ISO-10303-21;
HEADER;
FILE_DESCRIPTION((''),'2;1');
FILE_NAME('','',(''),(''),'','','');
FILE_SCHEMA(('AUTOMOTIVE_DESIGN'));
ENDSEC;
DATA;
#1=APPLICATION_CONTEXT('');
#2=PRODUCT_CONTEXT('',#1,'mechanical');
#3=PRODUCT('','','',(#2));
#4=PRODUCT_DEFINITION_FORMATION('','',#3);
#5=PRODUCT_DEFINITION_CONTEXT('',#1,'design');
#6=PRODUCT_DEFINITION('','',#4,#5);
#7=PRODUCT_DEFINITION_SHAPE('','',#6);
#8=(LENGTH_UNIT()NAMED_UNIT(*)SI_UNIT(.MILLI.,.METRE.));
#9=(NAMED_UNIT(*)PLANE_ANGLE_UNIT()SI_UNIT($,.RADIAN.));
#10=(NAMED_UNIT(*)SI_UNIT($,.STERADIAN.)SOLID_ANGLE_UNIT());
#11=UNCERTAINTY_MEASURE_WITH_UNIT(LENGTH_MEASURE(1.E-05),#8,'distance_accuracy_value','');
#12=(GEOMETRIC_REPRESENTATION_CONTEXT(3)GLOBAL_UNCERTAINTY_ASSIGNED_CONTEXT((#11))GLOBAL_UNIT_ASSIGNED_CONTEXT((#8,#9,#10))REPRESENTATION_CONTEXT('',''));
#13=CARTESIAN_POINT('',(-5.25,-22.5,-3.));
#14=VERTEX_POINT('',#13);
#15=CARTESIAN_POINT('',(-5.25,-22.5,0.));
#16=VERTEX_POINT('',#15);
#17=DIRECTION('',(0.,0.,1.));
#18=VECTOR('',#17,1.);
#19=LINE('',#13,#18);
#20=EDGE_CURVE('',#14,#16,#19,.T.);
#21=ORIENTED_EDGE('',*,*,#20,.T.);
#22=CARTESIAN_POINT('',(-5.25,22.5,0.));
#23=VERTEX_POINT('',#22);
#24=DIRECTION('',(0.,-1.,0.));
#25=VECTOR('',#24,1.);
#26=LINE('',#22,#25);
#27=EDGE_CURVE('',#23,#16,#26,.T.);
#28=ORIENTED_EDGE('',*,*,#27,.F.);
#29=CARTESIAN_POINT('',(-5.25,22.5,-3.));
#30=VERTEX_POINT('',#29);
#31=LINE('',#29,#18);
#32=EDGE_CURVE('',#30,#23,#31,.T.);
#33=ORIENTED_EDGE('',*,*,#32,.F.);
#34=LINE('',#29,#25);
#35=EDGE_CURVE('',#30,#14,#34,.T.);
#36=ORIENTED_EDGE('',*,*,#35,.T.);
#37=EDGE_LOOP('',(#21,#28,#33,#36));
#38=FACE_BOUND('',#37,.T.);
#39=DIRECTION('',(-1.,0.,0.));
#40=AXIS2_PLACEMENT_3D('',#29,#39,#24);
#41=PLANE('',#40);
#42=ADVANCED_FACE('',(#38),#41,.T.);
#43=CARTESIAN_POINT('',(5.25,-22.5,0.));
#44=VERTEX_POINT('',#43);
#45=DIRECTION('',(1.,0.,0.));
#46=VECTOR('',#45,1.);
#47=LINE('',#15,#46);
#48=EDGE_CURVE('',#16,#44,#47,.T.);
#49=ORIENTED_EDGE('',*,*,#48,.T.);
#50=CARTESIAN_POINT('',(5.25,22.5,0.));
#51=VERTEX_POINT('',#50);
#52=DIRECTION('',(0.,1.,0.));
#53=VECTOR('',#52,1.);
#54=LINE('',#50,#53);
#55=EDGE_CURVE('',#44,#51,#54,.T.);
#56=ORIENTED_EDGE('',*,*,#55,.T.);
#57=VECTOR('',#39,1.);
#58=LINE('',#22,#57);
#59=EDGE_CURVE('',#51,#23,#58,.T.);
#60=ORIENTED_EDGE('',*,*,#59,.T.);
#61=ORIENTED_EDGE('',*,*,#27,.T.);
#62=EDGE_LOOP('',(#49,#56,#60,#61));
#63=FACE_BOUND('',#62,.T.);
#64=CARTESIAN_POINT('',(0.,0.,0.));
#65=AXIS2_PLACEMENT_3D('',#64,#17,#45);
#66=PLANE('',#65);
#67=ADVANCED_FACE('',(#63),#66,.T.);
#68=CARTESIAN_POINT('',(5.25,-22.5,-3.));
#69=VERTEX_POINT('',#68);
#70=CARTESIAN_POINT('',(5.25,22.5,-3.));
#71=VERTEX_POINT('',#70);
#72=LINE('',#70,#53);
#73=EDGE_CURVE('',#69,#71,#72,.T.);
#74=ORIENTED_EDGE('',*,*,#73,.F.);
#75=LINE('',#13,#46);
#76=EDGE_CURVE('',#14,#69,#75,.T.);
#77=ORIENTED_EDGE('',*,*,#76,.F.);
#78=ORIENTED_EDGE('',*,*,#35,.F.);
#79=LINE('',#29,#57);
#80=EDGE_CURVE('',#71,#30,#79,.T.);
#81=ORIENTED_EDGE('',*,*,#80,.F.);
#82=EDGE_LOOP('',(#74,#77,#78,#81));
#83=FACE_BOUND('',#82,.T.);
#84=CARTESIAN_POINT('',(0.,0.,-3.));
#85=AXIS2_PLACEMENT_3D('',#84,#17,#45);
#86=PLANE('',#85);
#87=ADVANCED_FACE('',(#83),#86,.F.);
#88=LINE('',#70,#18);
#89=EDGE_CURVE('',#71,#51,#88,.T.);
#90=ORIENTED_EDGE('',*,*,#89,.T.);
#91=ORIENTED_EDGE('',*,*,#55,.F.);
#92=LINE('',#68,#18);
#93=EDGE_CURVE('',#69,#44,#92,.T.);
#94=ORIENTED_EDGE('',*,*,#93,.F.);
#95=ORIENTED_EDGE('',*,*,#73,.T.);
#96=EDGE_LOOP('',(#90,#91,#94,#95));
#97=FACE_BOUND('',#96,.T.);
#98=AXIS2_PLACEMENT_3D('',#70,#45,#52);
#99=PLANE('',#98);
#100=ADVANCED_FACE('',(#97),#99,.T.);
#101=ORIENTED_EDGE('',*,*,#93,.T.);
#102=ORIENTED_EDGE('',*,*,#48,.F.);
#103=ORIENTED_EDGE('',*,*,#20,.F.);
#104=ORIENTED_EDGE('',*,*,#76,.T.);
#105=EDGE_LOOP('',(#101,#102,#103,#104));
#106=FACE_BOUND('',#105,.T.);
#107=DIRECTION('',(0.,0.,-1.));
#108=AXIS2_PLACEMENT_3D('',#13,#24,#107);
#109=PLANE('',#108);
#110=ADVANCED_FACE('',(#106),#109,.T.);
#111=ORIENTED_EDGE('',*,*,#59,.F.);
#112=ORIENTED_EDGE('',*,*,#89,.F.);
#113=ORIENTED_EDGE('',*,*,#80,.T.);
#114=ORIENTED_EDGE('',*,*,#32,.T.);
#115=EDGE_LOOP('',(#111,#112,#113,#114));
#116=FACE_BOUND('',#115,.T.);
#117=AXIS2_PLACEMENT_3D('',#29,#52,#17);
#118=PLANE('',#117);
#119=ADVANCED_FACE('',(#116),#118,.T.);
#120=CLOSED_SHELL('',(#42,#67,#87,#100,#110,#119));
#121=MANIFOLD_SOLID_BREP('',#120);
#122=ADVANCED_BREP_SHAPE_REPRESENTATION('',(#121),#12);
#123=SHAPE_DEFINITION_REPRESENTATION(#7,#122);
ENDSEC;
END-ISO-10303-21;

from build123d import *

# Parameters (mm, degrees)
SKETCH1_W           = 10.5
SKETCH1_H           = 45
BOSS_EXTRUDE1_DEPTH = 3


with BuildPart() as part:
    # Sketch1 → Boss-Extrude1 (new body)
    with BuildSketch(Plane.XY):
        Rectangle(SKETCH1_W, SKETCH1_H)
    extrude(amount=-BOSS_EXTRUDE1_DEPTH)


solid = part.part
